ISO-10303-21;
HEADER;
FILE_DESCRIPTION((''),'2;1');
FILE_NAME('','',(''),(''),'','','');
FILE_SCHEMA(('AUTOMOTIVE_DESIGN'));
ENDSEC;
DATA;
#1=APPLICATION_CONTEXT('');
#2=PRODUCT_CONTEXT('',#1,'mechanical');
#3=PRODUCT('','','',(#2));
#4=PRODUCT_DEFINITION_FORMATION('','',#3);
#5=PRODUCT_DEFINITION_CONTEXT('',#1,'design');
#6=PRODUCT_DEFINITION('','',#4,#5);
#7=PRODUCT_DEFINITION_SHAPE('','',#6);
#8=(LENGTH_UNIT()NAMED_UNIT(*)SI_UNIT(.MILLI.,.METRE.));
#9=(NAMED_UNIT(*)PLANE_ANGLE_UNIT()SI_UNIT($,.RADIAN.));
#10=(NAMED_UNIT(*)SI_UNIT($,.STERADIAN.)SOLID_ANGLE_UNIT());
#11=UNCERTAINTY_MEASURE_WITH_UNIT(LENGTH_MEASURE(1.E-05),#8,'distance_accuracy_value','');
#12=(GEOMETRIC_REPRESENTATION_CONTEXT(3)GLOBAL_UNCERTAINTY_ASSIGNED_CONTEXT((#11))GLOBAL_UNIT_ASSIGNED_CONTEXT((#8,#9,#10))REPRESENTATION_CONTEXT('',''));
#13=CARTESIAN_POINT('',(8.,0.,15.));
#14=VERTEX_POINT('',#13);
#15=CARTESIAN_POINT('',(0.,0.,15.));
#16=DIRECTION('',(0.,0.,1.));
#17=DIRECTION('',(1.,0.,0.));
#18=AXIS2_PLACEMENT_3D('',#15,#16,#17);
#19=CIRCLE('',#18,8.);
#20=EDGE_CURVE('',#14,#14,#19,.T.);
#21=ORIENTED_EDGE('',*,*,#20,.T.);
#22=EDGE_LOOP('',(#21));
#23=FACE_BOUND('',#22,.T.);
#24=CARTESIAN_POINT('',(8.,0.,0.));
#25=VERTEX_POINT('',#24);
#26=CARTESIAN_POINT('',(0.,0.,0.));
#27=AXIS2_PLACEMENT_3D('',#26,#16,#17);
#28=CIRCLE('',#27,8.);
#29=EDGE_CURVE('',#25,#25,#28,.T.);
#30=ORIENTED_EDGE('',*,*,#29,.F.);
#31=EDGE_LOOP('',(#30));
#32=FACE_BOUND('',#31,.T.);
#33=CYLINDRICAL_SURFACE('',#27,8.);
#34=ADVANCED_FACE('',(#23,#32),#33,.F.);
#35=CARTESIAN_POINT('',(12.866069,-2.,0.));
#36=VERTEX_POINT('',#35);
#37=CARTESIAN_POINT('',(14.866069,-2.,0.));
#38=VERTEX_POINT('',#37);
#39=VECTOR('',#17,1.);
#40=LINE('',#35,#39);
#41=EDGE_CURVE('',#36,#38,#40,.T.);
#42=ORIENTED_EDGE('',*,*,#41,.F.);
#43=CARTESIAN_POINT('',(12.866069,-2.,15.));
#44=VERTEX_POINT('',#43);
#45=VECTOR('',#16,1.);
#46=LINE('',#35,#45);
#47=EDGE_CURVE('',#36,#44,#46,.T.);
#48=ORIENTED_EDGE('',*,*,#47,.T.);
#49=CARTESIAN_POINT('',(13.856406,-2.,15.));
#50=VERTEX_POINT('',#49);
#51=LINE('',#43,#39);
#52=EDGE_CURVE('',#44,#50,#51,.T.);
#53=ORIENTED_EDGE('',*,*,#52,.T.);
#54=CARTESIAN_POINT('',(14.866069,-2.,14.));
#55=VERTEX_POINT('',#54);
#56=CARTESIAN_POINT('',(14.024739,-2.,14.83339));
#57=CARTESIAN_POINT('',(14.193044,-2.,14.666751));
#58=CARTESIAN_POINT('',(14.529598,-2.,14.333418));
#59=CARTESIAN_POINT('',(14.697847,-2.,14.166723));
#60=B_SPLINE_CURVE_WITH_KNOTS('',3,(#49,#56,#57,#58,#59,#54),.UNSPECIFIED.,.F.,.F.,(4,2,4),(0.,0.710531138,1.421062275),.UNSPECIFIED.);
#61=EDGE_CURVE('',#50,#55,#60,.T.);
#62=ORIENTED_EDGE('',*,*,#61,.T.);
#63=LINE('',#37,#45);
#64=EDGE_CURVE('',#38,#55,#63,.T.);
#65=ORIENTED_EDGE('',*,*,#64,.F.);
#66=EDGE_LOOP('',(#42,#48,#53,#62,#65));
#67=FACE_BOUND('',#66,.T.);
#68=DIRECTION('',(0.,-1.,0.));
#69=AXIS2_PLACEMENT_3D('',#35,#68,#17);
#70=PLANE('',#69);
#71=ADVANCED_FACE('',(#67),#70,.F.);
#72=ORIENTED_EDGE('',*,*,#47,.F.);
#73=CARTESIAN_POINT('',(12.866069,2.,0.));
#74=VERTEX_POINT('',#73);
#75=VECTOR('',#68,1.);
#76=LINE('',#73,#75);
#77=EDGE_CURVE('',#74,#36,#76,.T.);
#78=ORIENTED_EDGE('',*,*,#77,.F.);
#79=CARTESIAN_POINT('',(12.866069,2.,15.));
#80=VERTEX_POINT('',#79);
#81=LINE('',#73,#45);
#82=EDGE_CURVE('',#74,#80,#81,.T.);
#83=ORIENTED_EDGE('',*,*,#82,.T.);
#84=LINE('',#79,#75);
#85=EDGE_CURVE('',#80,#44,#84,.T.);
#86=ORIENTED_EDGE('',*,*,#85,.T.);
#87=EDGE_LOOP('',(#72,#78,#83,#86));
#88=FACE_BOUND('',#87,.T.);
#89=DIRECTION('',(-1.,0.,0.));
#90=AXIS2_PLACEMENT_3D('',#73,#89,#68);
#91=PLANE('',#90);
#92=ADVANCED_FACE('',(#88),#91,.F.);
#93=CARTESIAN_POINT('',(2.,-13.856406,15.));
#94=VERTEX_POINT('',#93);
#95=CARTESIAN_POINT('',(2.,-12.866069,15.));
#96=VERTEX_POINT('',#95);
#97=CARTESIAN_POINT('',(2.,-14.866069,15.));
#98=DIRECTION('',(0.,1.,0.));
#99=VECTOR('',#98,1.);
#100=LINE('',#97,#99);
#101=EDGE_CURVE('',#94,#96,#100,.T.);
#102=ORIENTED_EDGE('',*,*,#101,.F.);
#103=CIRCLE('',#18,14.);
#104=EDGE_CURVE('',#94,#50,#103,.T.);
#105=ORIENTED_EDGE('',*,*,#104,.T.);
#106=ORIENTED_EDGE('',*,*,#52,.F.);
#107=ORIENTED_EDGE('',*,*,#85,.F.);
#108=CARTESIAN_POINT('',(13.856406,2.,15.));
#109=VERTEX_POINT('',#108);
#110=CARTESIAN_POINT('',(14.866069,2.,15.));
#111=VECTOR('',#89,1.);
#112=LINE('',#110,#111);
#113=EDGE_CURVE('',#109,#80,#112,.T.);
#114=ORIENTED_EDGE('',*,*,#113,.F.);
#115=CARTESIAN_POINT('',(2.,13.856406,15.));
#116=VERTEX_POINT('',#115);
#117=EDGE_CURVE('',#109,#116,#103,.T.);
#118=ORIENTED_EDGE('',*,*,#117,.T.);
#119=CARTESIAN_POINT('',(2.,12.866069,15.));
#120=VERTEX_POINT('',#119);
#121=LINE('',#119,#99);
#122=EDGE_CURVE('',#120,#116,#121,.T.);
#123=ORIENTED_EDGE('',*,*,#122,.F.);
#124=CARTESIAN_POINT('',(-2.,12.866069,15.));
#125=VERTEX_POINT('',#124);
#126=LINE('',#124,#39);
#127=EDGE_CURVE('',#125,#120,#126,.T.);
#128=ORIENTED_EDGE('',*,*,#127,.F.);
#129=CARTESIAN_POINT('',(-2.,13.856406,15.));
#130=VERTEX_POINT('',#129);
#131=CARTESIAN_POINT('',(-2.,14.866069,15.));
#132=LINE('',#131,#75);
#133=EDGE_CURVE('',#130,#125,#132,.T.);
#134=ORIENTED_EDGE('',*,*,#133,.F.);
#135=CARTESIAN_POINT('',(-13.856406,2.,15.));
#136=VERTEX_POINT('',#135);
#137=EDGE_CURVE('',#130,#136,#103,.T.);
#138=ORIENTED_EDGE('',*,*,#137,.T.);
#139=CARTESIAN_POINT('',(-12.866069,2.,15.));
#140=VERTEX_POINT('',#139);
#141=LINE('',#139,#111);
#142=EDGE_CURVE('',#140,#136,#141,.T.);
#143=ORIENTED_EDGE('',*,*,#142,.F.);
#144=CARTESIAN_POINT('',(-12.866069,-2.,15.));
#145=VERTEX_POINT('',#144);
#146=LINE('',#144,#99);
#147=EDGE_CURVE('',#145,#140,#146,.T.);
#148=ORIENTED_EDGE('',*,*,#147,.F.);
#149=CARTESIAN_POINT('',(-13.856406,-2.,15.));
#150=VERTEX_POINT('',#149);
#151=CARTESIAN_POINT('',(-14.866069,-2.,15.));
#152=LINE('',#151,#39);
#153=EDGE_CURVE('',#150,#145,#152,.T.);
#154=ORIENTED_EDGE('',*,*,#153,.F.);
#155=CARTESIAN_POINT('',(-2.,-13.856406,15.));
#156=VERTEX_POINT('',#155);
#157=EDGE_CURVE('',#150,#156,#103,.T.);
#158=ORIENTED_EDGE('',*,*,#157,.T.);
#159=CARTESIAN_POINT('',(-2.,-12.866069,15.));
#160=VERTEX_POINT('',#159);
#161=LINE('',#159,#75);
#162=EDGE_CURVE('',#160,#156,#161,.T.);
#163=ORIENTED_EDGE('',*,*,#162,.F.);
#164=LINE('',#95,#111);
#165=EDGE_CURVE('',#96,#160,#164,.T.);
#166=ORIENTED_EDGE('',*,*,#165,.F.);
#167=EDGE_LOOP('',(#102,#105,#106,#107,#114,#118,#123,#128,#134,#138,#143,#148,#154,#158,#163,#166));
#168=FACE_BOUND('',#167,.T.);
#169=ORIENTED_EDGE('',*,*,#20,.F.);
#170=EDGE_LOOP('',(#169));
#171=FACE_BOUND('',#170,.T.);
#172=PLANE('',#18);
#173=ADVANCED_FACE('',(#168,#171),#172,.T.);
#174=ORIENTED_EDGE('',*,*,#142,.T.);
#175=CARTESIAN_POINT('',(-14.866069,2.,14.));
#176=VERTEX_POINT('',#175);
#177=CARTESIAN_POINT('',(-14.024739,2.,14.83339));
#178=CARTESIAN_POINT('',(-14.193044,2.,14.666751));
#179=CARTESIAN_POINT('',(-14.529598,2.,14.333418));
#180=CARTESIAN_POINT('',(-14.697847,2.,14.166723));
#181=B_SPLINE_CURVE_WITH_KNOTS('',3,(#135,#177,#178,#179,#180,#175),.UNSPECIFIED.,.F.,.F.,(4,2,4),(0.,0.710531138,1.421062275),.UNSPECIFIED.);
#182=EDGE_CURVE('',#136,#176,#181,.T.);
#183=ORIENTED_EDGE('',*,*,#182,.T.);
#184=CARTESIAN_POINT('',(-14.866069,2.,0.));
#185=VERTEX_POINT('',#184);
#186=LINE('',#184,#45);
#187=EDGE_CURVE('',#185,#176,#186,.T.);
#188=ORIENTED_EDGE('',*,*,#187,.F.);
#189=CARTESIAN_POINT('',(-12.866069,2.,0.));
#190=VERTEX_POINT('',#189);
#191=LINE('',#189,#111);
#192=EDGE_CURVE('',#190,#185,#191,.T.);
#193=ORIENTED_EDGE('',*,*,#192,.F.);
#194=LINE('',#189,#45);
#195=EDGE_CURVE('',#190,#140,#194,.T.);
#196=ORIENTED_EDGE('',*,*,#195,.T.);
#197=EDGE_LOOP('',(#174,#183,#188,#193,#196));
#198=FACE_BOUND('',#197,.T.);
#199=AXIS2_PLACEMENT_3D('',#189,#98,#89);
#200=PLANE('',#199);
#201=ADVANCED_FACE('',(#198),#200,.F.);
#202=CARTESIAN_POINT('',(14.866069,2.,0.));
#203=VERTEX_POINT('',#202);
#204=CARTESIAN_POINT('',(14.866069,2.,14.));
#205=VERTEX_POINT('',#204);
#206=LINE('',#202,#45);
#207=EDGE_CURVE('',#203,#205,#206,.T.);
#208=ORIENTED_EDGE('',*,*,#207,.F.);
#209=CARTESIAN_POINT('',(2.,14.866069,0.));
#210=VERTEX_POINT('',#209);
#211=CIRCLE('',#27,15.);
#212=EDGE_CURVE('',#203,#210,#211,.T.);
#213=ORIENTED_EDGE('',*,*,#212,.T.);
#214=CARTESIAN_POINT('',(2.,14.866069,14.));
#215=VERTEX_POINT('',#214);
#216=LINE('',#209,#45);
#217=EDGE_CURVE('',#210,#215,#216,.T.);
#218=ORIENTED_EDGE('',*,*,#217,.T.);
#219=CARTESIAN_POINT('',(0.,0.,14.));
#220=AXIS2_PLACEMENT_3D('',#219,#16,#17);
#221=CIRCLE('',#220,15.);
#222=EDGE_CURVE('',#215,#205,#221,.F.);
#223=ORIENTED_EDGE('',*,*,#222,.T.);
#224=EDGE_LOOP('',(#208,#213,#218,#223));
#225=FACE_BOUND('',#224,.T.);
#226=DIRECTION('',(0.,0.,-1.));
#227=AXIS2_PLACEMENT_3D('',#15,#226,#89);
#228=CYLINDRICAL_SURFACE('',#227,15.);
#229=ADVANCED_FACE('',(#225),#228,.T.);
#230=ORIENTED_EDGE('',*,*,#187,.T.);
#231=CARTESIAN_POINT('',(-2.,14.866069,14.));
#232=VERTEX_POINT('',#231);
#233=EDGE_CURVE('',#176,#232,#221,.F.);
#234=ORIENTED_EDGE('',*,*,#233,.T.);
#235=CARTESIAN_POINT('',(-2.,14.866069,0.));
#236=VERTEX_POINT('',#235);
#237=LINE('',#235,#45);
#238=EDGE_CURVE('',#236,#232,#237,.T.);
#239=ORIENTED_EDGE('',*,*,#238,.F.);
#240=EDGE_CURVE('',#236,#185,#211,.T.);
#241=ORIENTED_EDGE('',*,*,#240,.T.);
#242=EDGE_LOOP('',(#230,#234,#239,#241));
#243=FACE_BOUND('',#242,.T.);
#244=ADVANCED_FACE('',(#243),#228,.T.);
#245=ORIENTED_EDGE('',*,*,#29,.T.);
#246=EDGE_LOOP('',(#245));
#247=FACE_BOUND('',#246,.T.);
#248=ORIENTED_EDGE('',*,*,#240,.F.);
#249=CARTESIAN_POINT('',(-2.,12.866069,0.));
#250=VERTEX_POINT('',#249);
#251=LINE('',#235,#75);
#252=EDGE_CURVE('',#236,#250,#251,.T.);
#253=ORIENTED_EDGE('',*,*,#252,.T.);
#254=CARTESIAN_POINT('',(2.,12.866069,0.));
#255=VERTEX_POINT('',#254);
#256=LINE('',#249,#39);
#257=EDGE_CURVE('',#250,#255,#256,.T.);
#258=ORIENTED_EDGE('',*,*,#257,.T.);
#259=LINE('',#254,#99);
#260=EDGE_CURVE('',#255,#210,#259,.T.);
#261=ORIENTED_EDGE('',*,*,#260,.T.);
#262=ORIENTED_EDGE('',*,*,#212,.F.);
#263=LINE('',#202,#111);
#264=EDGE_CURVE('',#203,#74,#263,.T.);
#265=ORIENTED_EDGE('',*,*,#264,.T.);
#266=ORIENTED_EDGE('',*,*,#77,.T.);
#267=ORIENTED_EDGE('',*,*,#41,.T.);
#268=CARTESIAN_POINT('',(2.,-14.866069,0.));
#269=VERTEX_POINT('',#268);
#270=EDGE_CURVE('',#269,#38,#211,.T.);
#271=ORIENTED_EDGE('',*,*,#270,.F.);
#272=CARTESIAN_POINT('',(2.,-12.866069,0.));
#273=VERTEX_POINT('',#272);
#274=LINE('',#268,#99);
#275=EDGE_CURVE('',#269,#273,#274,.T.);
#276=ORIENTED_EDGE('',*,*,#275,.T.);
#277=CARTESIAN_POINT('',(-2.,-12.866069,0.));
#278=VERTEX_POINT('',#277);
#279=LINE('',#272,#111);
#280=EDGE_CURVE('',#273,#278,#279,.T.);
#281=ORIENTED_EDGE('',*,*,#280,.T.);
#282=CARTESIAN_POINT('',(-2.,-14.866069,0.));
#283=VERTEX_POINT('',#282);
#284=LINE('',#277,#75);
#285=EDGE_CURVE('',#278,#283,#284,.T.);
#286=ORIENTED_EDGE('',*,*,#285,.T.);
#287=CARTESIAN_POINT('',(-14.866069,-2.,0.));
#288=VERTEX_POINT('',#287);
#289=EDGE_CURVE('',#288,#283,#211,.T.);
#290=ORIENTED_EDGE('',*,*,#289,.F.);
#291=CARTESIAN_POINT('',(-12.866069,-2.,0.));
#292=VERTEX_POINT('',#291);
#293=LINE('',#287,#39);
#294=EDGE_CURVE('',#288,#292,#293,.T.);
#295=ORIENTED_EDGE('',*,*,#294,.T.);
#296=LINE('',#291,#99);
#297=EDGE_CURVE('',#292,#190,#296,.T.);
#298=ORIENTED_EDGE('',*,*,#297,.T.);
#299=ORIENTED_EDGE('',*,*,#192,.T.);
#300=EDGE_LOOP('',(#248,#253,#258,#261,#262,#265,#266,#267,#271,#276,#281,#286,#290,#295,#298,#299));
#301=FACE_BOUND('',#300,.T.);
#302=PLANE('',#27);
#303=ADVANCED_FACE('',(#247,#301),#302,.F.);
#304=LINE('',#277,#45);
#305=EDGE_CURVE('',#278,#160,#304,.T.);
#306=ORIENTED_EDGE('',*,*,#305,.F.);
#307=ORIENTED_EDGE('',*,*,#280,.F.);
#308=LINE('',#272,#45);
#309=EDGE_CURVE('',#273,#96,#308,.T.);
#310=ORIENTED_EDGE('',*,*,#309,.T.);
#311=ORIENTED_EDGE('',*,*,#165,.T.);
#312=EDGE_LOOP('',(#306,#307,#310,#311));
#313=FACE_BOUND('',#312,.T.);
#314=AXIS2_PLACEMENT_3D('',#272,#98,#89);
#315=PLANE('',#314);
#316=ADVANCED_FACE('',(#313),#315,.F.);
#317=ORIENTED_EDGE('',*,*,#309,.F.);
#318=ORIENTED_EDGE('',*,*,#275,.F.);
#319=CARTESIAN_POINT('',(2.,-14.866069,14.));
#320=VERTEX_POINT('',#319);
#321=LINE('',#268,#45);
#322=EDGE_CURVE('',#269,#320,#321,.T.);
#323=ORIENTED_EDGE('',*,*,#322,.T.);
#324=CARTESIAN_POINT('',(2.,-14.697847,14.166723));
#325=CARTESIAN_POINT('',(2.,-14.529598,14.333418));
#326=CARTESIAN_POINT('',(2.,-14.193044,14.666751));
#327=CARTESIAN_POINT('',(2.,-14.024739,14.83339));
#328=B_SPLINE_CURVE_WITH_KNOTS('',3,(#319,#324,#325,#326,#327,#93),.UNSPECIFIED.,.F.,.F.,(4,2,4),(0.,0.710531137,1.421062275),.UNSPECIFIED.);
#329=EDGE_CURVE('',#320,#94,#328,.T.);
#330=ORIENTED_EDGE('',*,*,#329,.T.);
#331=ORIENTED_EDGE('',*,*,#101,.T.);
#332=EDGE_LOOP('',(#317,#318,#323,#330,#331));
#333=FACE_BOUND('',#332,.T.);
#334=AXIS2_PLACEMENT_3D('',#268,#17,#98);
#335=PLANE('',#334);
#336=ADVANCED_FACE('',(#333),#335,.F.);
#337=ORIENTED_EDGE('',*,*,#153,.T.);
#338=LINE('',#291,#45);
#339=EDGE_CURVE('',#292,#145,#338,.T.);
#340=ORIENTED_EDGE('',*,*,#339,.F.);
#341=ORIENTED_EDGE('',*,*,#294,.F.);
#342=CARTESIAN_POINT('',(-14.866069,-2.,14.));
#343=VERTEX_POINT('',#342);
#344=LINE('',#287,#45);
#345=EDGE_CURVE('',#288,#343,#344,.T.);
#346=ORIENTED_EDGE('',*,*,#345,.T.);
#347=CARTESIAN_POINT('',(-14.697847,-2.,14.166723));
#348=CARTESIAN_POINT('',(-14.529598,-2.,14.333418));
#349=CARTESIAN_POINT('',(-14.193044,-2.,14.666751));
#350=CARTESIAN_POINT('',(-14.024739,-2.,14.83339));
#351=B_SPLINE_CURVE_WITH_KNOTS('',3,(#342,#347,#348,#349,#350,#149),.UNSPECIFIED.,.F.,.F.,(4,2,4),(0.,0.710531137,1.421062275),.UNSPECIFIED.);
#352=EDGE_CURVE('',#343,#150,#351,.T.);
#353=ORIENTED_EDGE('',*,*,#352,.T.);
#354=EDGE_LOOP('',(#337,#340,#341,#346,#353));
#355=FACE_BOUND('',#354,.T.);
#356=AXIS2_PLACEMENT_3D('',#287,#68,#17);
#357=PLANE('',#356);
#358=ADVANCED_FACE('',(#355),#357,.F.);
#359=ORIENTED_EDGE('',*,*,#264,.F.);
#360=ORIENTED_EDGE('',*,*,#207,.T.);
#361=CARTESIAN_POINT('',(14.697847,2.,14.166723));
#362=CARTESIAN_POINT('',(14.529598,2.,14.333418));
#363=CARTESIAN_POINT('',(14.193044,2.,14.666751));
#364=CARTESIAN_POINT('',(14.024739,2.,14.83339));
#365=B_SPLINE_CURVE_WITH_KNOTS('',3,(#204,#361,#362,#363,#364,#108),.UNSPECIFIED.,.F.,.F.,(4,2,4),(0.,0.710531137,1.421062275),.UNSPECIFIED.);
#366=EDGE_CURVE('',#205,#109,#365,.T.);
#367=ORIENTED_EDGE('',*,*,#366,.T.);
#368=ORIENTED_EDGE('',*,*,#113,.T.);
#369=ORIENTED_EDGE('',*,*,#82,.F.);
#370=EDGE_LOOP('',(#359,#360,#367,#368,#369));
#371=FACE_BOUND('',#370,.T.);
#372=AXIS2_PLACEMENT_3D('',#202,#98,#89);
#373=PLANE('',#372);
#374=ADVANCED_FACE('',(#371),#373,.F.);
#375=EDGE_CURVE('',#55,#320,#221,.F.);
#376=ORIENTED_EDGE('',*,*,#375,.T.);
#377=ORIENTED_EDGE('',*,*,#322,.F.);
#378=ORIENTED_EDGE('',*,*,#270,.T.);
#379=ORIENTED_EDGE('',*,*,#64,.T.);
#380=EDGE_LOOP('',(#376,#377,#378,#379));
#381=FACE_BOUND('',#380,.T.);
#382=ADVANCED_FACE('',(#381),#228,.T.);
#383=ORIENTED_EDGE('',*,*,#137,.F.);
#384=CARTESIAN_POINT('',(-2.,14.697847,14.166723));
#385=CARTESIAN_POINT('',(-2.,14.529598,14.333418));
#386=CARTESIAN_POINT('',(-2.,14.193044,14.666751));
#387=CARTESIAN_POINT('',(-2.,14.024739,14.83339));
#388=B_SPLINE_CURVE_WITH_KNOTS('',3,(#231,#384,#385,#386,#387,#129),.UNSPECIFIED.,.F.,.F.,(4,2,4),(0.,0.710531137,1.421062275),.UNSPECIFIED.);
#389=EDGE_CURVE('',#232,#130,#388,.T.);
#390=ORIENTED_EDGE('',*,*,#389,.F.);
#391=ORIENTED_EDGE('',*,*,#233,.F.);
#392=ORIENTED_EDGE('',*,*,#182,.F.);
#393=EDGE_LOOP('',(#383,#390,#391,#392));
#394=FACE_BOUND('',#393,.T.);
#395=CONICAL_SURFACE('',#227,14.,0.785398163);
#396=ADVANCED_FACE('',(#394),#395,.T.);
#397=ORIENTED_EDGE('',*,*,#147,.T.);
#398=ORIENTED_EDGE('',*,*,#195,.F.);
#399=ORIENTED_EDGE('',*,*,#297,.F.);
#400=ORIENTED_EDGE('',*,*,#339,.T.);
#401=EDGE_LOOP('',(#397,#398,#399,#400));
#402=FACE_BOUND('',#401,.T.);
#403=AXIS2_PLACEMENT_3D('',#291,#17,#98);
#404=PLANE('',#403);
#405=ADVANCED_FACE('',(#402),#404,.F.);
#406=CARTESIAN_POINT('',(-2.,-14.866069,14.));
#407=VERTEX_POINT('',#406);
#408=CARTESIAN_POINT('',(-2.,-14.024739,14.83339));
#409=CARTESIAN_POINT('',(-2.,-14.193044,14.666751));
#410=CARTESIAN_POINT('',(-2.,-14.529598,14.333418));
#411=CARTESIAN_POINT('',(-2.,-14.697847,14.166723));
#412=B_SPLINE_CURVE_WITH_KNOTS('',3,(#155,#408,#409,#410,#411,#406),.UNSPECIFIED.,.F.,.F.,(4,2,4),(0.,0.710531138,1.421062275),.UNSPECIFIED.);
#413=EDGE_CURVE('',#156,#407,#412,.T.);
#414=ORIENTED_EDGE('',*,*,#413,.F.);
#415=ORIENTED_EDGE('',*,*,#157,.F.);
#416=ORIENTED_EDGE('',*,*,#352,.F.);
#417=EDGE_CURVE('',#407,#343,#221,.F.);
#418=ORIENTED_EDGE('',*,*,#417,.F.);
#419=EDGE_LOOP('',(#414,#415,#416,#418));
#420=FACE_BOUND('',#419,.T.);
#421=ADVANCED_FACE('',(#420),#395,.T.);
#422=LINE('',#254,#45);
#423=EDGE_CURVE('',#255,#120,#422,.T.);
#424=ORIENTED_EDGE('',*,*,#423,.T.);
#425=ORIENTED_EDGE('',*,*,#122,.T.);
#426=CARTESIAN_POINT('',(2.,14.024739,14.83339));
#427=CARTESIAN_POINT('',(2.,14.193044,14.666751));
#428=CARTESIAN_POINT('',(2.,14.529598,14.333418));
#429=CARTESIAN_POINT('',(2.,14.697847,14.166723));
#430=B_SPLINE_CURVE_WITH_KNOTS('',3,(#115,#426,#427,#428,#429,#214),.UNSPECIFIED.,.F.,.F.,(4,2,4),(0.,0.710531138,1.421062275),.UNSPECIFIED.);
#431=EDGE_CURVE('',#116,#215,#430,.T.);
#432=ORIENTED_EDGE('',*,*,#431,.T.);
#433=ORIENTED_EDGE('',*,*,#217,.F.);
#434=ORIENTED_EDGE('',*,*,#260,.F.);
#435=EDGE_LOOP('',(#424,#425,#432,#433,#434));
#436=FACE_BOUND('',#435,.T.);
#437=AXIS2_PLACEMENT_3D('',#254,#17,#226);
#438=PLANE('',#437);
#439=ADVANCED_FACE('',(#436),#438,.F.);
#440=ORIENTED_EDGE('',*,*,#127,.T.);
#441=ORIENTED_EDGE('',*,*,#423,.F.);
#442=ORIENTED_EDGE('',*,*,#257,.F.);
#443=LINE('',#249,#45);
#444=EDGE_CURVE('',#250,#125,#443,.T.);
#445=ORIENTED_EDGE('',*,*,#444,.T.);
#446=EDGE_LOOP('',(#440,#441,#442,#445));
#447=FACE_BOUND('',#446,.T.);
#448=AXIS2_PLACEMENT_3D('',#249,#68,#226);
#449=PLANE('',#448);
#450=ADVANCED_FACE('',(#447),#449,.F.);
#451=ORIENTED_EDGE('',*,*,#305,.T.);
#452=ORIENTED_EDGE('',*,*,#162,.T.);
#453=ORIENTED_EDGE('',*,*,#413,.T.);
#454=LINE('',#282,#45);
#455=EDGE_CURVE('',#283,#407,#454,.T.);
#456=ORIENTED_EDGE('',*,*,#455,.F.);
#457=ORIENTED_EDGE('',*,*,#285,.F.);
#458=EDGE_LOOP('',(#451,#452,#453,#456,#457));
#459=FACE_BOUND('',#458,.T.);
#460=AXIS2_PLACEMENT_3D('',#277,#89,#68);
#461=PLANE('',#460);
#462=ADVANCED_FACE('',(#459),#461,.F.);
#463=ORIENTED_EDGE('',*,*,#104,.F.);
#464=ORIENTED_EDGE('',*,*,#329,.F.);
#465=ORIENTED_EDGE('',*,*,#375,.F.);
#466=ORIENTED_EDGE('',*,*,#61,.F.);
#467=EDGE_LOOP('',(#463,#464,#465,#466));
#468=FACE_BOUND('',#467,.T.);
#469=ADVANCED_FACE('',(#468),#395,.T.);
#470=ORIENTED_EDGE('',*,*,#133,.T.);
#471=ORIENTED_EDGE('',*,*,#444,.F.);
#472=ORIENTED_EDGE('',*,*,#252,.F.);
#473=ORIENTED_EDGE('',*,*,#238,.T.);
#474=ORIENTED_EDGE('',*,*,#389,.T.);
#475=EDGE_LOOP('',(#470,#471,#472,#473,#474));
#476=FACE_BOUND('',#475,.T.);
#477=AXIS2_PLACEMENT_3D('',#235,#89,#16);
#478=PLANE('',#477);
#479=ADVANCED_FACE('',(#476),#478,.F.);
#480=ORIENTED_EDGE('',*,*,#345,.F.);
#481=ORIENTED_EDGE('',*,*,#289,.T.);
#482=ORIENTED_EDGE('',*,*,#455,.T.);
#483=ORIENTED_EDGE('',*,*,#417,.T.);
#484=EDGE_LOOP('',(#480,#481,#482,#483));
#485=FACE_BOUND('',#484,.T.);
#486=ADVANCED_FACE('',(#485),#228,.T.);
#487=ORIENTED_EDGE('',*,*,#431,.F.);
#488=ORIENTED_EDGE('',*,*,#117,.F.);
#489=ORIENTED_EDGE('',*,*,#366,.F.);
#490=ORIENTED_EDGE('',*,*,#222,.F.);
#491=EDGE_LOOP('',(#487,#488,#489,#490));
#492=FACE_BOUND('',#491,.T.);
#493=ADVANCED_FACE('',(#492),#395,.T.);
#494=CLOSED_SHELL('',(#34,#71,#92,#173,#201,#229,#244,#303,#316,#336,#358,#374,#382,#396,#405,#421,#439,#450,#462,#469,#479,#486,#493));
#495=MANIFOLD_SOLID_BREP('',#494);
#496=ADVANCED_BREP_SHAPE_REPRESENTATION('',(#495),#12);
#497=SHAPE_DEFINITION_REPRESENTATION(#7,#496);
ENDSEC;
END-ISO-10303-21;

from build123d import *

# Parameters (mm, degrees)
SKETCH1_R           = 15
BOSS_EXTRUDE1_DEPTH = 15
CUT_EXTRUDE1_DEPTH  = 26.980762114
SKETCH3_R           = 8
CUT_EXTRUDE2_DEPTH  = 26.82634314
CHAMFER1_SIZE       = 1


with BuildPart() as part:
    # Sketch1 → Boss-Extrude1 (new body)
    with BuildSketch(Plane.XY):
        Circle(SKETCH1_R)
    extrude(amount=BOSS_EXTRUDE1_DEPTH)

    # Sketch2 → Cut-Extrude1 (cut, through all)
    with BuildSketch(Plane.XY.offset(15)):
        with BuildLine():
            Line((-2, 14.866068747), (-2, 12.866068747))
            Line((-2, 12.866068747), (2, 12.866068747))
            Line((2, 12.866068747), (2, 14.866068747))
            ThreePointArc((2, 14.866068747), (0, 15), (-2, 14.866068747))
        make_face()
        with BuildLine():
            Line((14.866068747, 2), (12.866068747, 2))
            Line((12.866068747, 2), (12.866068747, -2))
            Line((12.866068747, -2), (14.866068747, -2))
            ThreePointArc((14.866068747, -2), (15, 0), (14.866068747, 2))
        make_face()
        with BuildLine():
            Line((2, -14.866068747), (2, -12.866068747))
            Line((2, -12.866068747), (-2, -12.866068747))
            Line((-2, -12.866068747), (-2, -14.866068747))
            ThreePointArc((-2, -14.866068747), (0, -15), (2, -14.866068747))
        make_face()
        with BuildLine():
            Line((-14.866068747, -2), (-12.866068747, -2))
            Line((-12.866068747, -2), (-12.866068747, 2))
            Line((-12.866068747, 2), (-14.866068747, 2))
            ThreePointArc((-14.866068747, 2), (-15, 0), (-14.866068747, -2))
        make_face()
    extrude(amount=-CUT_EXTRUDE1_DEPTH, mode=Mode.SUBTRACT)

    # Sketch3 → Cut-Extrude2 (cut, through all)
    with BuildSketch(Plane.XY.offset(15)):
        Circle(SKETCH3_R)
    extrude(amount=-CUT_EXTRUDE2_DEPTH, mode=Mode.SUBTRACT)

    # Chamfer1
    chamfer1_edges = [part.edges().sort_by_distance(p)[0] for p in [
        (-10.606601718, 10.606601718, 15),
        (-10.606601718, -10.606601718, 15),
        (10.606601718, -10.606601718, 15),
        (10.606601718, 10.606601718, 15),
    ]]
    chamfer(chamfer1_edges, length=CHAMFER1_SIZE)


solid = part.part
